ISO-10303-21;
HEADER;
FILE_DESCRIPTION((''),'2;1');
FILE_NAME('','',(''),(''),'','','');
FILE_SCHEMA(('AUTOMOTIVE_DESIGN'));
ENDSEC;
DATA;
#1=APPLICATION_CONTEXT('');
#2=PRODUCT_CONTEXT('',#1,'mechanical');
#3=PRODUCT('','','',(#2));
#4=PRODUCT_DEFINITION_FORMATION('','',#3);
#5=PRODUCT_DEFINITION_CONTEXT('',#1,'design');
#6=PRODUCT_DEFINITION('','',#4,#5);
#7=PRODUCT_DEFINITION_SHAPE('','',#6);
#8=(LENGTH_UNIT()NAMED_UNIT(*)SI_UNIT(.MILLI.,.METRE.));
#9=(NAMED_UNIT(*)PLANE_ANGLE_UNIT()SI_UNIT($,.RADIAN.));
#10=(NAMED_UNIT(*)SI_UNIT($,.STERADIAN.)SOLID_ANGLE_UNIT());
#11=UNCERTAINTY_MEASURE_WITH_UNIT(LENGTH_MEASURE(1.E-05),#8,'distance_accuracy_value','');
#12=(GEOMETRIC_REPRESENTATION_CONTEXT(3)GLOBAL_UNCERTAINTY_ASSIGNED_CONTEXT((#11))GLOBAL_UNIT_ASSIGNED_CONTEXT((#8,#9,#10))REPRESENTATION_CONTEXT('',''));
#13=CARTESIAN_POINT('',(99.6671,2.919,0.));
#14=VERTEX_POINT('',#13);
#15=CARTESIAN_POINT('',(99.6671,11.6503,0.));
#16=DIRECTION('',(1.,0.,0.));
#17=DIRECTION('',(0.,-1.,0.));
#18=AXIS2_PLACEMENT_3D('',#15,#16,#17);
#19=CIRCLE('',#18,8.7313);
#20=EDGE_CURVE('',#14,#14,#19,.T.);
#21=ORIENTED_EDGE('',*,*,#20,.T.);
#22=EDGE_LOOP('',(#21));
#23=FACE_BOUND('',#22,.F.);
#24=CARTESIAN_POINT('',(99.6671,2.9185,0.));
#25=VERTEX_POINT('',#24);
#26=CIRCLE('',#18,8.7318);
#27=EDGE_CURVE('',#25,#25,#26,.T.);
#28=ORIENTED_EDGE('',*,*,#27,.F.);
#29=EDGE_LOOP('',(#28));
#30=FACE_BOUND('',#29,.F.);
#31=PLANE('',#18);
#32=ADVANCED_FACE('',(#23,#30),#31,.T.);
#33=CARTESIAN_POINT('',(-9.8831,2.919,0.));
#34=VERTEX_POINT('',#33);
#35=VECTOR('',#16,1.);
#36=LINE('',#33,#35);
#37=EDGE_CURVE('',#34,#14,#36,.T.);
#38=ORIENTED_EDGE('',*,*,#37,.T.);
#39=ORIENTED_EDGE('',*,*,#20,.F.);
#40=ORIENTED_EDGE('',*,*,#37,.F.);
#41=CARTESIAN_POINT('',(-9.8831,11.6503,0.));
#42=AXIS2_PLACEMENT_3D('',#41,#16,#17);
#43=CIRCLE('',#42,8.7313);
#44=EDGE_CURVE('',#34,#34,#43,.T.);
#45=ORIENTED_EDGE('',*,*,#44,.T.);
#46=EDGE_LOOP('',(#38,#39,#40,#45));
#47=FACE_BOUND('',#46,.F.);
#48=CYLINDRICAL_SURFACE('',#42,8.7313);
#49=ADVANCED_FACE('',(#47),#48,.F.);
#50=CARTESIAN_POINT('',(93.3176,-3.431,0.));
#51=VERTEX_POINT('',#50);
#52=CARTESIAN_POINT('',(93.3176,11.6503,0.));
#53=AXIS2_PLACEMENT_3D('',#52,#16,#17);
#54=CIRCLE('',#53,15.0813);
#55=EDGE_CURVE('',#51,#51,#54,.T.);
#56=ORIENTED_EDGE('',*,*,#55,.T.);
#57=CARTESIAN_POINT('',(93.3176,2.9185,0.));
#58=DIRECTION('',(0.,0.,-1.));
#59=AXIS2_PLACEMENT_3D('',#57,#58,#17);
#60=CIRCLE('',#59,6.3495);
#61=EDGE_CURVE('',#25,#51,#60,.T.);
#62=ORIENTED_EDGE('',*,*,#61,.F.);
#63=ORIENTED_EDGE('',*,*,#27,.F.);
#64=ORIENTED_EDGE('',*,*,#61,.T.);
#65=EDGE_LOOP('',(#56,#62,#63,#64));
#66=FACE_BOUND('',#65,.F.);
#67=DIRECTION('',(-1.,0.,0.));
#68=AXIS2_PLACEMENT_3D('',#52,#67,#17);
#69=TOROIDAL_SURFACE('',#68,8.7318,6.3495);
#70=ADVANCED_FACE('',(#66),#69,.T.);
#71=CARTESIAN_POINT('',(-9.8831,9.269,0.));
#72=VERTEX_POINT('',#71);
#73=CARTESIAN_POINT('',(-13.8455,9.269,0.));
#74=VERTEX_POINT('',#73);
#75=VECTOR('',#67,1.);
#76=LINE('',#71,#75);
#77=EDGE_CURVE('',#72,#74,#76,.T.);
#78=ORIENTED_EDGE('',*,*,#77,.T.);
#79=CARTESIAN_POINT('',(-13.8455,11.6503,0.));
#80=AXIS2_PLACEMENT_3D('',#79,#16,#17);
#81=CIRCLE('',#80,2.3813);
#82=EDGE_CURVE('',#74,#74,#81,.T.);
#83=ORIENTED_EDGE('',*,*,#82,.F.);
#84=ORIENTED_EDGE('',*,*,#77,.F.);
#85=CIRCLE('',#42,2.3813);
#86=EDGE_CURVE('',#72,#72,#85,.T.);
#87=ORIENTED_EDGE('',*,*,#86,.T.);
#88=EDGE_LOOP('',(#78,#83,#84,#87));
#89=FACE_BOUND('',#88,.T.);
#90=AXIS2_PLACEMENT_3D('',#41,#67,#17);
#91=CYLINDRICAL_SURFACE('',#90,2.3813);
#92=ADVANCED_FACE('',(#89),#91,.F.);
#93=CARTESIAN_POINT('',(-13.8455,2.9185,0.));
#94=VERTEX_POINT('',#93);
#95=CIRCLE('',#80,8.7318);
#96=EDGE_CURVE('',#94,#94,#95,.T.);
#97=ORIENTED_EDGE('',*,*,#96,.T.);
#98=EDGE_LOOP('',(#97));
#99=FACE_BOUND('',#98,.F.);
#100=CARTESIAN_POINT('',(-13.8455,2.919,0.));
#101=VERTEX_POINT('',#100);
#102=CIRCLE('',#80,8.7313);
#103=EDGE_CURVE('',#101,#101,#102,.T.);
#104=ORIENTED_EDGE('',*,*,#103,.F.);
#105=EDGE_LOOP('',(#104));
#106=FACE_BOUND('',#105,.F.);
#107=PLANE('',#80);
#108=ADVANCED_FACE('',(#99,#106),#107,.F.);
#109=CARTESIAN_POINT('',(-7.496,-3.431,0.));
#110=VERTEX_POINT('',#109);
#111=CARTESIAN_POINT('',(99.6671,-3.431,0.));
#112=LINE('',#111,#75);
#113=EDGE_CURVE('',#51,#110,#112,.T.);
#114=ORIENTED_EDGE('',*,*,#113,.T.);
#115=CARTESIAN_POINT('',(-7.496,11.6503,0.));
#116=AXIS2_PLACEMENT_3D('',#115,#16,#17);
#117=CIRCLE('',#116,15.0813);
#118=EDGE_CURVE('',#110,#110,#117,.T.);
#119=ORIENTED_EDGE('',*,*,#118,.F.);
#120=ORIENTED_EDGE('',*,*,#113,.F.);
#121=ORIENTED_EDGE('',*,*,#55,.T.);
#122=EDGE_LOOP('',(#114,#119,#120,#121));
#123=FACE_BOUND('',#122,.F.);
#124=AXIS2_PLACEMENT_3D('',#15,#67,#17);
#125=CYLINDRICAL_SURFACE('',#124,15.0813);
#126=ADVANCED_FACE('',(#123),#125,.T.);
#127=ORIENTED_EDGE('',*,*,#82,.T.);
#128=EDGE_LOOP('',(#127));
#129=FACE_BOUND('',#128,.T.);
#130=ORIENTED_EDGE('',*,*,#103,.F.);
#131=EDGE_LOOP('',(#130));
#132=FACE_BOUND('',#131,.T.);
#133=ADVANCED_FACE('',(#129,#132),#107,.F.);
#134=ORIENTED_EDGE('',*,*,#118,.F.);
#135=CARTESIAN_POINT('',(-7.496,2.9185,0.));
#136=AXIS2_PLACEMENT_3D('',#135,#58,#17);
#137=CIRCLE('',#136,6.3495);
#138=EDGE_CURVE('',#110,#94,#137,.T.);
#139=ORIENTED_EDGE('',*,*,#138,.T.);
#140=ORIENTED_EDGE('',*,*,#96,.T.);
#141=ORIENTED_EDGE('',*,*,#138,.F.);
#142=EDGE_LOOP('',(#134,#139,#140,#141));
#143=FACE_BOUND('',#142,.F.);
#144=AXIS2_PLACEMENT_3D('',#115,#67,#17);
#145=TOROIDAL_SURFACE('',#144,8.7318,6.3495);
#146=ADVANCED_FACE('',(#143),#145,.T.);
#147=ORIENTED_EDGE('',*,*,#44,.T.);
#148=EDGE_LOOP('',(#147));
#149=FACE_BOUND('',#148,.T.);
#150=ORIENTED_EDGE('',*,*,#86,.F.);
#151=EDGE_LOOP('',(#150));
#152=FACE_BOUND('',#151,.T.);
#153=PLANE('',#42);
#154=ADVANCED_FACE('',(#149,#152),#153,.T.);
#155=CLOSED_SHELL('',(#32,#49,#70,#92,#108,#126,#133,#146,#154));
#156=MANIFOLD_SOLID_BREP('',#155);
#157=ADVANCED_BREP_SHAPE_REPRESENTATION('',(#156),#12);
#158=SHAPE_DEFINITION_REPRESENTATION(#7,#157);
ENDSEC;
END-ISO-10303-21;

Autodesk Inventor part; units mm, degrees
ref_plane "YZ Plane" through (0, 0, 0) normal (1, 0, 0) x (0, 1, 0)
ref_plane "XZ Plane" through (0, 0, 0) normal (0, 1, 0) x (-1, 0, 0)
ref_plane "XY Plane" through (0, 0, 0) normal (0, 0, 1) x (1, 0, 0)
sketch "Sketch2" plane through (0, 0, 0) normal (0, 0, 1) x (1, 0, 0)
  line L0 (99.6671, 2.919) -> (99.6671, -3.431)
  line L1 (99.6671, -3.431) -> (-13.8455, -3.431)
  line L2 (-13.8455, -3.431) -> (-13.8455, 2.919)
  line L3 (-9.8831, 2.919) -> (-9.8831, 9.269)
  line L4 (-9.8831, 9.269) -> (-13.8455, 9.269)
  line L5 (-13.8455, 9.269) -> (-13.8455, 2.919)
  line L6 (-9.8831, 2.919) -> (99.6671, 2.919)
  line L7 (-13.8455, 11.6503) -> (99.6671, 11.6503)
  point P0 (0, 0)
  dimension "d17" = 113.5126
  dimension "d18" = 6.35
  dimension "d19" = 3.9624
  dimension "d20" = 6.35
  dimension "d24" = 6.35
  dimension "d25" = 6.35
  dimension "d26" = 113.5126
  dimension "d27" = 2.3813
revolve "Revolution1" add sketch "Sketch2" angle 360 about axis through (-13.8455, 11.6503, 0) along (1, 0, 0)
fillet "Fillet3" radius 6.35 2 edges at (99.6671, 26.7315, 0) (-13.8455, 26.7315, 0)
properties part number "rubberhandlesleeve"
